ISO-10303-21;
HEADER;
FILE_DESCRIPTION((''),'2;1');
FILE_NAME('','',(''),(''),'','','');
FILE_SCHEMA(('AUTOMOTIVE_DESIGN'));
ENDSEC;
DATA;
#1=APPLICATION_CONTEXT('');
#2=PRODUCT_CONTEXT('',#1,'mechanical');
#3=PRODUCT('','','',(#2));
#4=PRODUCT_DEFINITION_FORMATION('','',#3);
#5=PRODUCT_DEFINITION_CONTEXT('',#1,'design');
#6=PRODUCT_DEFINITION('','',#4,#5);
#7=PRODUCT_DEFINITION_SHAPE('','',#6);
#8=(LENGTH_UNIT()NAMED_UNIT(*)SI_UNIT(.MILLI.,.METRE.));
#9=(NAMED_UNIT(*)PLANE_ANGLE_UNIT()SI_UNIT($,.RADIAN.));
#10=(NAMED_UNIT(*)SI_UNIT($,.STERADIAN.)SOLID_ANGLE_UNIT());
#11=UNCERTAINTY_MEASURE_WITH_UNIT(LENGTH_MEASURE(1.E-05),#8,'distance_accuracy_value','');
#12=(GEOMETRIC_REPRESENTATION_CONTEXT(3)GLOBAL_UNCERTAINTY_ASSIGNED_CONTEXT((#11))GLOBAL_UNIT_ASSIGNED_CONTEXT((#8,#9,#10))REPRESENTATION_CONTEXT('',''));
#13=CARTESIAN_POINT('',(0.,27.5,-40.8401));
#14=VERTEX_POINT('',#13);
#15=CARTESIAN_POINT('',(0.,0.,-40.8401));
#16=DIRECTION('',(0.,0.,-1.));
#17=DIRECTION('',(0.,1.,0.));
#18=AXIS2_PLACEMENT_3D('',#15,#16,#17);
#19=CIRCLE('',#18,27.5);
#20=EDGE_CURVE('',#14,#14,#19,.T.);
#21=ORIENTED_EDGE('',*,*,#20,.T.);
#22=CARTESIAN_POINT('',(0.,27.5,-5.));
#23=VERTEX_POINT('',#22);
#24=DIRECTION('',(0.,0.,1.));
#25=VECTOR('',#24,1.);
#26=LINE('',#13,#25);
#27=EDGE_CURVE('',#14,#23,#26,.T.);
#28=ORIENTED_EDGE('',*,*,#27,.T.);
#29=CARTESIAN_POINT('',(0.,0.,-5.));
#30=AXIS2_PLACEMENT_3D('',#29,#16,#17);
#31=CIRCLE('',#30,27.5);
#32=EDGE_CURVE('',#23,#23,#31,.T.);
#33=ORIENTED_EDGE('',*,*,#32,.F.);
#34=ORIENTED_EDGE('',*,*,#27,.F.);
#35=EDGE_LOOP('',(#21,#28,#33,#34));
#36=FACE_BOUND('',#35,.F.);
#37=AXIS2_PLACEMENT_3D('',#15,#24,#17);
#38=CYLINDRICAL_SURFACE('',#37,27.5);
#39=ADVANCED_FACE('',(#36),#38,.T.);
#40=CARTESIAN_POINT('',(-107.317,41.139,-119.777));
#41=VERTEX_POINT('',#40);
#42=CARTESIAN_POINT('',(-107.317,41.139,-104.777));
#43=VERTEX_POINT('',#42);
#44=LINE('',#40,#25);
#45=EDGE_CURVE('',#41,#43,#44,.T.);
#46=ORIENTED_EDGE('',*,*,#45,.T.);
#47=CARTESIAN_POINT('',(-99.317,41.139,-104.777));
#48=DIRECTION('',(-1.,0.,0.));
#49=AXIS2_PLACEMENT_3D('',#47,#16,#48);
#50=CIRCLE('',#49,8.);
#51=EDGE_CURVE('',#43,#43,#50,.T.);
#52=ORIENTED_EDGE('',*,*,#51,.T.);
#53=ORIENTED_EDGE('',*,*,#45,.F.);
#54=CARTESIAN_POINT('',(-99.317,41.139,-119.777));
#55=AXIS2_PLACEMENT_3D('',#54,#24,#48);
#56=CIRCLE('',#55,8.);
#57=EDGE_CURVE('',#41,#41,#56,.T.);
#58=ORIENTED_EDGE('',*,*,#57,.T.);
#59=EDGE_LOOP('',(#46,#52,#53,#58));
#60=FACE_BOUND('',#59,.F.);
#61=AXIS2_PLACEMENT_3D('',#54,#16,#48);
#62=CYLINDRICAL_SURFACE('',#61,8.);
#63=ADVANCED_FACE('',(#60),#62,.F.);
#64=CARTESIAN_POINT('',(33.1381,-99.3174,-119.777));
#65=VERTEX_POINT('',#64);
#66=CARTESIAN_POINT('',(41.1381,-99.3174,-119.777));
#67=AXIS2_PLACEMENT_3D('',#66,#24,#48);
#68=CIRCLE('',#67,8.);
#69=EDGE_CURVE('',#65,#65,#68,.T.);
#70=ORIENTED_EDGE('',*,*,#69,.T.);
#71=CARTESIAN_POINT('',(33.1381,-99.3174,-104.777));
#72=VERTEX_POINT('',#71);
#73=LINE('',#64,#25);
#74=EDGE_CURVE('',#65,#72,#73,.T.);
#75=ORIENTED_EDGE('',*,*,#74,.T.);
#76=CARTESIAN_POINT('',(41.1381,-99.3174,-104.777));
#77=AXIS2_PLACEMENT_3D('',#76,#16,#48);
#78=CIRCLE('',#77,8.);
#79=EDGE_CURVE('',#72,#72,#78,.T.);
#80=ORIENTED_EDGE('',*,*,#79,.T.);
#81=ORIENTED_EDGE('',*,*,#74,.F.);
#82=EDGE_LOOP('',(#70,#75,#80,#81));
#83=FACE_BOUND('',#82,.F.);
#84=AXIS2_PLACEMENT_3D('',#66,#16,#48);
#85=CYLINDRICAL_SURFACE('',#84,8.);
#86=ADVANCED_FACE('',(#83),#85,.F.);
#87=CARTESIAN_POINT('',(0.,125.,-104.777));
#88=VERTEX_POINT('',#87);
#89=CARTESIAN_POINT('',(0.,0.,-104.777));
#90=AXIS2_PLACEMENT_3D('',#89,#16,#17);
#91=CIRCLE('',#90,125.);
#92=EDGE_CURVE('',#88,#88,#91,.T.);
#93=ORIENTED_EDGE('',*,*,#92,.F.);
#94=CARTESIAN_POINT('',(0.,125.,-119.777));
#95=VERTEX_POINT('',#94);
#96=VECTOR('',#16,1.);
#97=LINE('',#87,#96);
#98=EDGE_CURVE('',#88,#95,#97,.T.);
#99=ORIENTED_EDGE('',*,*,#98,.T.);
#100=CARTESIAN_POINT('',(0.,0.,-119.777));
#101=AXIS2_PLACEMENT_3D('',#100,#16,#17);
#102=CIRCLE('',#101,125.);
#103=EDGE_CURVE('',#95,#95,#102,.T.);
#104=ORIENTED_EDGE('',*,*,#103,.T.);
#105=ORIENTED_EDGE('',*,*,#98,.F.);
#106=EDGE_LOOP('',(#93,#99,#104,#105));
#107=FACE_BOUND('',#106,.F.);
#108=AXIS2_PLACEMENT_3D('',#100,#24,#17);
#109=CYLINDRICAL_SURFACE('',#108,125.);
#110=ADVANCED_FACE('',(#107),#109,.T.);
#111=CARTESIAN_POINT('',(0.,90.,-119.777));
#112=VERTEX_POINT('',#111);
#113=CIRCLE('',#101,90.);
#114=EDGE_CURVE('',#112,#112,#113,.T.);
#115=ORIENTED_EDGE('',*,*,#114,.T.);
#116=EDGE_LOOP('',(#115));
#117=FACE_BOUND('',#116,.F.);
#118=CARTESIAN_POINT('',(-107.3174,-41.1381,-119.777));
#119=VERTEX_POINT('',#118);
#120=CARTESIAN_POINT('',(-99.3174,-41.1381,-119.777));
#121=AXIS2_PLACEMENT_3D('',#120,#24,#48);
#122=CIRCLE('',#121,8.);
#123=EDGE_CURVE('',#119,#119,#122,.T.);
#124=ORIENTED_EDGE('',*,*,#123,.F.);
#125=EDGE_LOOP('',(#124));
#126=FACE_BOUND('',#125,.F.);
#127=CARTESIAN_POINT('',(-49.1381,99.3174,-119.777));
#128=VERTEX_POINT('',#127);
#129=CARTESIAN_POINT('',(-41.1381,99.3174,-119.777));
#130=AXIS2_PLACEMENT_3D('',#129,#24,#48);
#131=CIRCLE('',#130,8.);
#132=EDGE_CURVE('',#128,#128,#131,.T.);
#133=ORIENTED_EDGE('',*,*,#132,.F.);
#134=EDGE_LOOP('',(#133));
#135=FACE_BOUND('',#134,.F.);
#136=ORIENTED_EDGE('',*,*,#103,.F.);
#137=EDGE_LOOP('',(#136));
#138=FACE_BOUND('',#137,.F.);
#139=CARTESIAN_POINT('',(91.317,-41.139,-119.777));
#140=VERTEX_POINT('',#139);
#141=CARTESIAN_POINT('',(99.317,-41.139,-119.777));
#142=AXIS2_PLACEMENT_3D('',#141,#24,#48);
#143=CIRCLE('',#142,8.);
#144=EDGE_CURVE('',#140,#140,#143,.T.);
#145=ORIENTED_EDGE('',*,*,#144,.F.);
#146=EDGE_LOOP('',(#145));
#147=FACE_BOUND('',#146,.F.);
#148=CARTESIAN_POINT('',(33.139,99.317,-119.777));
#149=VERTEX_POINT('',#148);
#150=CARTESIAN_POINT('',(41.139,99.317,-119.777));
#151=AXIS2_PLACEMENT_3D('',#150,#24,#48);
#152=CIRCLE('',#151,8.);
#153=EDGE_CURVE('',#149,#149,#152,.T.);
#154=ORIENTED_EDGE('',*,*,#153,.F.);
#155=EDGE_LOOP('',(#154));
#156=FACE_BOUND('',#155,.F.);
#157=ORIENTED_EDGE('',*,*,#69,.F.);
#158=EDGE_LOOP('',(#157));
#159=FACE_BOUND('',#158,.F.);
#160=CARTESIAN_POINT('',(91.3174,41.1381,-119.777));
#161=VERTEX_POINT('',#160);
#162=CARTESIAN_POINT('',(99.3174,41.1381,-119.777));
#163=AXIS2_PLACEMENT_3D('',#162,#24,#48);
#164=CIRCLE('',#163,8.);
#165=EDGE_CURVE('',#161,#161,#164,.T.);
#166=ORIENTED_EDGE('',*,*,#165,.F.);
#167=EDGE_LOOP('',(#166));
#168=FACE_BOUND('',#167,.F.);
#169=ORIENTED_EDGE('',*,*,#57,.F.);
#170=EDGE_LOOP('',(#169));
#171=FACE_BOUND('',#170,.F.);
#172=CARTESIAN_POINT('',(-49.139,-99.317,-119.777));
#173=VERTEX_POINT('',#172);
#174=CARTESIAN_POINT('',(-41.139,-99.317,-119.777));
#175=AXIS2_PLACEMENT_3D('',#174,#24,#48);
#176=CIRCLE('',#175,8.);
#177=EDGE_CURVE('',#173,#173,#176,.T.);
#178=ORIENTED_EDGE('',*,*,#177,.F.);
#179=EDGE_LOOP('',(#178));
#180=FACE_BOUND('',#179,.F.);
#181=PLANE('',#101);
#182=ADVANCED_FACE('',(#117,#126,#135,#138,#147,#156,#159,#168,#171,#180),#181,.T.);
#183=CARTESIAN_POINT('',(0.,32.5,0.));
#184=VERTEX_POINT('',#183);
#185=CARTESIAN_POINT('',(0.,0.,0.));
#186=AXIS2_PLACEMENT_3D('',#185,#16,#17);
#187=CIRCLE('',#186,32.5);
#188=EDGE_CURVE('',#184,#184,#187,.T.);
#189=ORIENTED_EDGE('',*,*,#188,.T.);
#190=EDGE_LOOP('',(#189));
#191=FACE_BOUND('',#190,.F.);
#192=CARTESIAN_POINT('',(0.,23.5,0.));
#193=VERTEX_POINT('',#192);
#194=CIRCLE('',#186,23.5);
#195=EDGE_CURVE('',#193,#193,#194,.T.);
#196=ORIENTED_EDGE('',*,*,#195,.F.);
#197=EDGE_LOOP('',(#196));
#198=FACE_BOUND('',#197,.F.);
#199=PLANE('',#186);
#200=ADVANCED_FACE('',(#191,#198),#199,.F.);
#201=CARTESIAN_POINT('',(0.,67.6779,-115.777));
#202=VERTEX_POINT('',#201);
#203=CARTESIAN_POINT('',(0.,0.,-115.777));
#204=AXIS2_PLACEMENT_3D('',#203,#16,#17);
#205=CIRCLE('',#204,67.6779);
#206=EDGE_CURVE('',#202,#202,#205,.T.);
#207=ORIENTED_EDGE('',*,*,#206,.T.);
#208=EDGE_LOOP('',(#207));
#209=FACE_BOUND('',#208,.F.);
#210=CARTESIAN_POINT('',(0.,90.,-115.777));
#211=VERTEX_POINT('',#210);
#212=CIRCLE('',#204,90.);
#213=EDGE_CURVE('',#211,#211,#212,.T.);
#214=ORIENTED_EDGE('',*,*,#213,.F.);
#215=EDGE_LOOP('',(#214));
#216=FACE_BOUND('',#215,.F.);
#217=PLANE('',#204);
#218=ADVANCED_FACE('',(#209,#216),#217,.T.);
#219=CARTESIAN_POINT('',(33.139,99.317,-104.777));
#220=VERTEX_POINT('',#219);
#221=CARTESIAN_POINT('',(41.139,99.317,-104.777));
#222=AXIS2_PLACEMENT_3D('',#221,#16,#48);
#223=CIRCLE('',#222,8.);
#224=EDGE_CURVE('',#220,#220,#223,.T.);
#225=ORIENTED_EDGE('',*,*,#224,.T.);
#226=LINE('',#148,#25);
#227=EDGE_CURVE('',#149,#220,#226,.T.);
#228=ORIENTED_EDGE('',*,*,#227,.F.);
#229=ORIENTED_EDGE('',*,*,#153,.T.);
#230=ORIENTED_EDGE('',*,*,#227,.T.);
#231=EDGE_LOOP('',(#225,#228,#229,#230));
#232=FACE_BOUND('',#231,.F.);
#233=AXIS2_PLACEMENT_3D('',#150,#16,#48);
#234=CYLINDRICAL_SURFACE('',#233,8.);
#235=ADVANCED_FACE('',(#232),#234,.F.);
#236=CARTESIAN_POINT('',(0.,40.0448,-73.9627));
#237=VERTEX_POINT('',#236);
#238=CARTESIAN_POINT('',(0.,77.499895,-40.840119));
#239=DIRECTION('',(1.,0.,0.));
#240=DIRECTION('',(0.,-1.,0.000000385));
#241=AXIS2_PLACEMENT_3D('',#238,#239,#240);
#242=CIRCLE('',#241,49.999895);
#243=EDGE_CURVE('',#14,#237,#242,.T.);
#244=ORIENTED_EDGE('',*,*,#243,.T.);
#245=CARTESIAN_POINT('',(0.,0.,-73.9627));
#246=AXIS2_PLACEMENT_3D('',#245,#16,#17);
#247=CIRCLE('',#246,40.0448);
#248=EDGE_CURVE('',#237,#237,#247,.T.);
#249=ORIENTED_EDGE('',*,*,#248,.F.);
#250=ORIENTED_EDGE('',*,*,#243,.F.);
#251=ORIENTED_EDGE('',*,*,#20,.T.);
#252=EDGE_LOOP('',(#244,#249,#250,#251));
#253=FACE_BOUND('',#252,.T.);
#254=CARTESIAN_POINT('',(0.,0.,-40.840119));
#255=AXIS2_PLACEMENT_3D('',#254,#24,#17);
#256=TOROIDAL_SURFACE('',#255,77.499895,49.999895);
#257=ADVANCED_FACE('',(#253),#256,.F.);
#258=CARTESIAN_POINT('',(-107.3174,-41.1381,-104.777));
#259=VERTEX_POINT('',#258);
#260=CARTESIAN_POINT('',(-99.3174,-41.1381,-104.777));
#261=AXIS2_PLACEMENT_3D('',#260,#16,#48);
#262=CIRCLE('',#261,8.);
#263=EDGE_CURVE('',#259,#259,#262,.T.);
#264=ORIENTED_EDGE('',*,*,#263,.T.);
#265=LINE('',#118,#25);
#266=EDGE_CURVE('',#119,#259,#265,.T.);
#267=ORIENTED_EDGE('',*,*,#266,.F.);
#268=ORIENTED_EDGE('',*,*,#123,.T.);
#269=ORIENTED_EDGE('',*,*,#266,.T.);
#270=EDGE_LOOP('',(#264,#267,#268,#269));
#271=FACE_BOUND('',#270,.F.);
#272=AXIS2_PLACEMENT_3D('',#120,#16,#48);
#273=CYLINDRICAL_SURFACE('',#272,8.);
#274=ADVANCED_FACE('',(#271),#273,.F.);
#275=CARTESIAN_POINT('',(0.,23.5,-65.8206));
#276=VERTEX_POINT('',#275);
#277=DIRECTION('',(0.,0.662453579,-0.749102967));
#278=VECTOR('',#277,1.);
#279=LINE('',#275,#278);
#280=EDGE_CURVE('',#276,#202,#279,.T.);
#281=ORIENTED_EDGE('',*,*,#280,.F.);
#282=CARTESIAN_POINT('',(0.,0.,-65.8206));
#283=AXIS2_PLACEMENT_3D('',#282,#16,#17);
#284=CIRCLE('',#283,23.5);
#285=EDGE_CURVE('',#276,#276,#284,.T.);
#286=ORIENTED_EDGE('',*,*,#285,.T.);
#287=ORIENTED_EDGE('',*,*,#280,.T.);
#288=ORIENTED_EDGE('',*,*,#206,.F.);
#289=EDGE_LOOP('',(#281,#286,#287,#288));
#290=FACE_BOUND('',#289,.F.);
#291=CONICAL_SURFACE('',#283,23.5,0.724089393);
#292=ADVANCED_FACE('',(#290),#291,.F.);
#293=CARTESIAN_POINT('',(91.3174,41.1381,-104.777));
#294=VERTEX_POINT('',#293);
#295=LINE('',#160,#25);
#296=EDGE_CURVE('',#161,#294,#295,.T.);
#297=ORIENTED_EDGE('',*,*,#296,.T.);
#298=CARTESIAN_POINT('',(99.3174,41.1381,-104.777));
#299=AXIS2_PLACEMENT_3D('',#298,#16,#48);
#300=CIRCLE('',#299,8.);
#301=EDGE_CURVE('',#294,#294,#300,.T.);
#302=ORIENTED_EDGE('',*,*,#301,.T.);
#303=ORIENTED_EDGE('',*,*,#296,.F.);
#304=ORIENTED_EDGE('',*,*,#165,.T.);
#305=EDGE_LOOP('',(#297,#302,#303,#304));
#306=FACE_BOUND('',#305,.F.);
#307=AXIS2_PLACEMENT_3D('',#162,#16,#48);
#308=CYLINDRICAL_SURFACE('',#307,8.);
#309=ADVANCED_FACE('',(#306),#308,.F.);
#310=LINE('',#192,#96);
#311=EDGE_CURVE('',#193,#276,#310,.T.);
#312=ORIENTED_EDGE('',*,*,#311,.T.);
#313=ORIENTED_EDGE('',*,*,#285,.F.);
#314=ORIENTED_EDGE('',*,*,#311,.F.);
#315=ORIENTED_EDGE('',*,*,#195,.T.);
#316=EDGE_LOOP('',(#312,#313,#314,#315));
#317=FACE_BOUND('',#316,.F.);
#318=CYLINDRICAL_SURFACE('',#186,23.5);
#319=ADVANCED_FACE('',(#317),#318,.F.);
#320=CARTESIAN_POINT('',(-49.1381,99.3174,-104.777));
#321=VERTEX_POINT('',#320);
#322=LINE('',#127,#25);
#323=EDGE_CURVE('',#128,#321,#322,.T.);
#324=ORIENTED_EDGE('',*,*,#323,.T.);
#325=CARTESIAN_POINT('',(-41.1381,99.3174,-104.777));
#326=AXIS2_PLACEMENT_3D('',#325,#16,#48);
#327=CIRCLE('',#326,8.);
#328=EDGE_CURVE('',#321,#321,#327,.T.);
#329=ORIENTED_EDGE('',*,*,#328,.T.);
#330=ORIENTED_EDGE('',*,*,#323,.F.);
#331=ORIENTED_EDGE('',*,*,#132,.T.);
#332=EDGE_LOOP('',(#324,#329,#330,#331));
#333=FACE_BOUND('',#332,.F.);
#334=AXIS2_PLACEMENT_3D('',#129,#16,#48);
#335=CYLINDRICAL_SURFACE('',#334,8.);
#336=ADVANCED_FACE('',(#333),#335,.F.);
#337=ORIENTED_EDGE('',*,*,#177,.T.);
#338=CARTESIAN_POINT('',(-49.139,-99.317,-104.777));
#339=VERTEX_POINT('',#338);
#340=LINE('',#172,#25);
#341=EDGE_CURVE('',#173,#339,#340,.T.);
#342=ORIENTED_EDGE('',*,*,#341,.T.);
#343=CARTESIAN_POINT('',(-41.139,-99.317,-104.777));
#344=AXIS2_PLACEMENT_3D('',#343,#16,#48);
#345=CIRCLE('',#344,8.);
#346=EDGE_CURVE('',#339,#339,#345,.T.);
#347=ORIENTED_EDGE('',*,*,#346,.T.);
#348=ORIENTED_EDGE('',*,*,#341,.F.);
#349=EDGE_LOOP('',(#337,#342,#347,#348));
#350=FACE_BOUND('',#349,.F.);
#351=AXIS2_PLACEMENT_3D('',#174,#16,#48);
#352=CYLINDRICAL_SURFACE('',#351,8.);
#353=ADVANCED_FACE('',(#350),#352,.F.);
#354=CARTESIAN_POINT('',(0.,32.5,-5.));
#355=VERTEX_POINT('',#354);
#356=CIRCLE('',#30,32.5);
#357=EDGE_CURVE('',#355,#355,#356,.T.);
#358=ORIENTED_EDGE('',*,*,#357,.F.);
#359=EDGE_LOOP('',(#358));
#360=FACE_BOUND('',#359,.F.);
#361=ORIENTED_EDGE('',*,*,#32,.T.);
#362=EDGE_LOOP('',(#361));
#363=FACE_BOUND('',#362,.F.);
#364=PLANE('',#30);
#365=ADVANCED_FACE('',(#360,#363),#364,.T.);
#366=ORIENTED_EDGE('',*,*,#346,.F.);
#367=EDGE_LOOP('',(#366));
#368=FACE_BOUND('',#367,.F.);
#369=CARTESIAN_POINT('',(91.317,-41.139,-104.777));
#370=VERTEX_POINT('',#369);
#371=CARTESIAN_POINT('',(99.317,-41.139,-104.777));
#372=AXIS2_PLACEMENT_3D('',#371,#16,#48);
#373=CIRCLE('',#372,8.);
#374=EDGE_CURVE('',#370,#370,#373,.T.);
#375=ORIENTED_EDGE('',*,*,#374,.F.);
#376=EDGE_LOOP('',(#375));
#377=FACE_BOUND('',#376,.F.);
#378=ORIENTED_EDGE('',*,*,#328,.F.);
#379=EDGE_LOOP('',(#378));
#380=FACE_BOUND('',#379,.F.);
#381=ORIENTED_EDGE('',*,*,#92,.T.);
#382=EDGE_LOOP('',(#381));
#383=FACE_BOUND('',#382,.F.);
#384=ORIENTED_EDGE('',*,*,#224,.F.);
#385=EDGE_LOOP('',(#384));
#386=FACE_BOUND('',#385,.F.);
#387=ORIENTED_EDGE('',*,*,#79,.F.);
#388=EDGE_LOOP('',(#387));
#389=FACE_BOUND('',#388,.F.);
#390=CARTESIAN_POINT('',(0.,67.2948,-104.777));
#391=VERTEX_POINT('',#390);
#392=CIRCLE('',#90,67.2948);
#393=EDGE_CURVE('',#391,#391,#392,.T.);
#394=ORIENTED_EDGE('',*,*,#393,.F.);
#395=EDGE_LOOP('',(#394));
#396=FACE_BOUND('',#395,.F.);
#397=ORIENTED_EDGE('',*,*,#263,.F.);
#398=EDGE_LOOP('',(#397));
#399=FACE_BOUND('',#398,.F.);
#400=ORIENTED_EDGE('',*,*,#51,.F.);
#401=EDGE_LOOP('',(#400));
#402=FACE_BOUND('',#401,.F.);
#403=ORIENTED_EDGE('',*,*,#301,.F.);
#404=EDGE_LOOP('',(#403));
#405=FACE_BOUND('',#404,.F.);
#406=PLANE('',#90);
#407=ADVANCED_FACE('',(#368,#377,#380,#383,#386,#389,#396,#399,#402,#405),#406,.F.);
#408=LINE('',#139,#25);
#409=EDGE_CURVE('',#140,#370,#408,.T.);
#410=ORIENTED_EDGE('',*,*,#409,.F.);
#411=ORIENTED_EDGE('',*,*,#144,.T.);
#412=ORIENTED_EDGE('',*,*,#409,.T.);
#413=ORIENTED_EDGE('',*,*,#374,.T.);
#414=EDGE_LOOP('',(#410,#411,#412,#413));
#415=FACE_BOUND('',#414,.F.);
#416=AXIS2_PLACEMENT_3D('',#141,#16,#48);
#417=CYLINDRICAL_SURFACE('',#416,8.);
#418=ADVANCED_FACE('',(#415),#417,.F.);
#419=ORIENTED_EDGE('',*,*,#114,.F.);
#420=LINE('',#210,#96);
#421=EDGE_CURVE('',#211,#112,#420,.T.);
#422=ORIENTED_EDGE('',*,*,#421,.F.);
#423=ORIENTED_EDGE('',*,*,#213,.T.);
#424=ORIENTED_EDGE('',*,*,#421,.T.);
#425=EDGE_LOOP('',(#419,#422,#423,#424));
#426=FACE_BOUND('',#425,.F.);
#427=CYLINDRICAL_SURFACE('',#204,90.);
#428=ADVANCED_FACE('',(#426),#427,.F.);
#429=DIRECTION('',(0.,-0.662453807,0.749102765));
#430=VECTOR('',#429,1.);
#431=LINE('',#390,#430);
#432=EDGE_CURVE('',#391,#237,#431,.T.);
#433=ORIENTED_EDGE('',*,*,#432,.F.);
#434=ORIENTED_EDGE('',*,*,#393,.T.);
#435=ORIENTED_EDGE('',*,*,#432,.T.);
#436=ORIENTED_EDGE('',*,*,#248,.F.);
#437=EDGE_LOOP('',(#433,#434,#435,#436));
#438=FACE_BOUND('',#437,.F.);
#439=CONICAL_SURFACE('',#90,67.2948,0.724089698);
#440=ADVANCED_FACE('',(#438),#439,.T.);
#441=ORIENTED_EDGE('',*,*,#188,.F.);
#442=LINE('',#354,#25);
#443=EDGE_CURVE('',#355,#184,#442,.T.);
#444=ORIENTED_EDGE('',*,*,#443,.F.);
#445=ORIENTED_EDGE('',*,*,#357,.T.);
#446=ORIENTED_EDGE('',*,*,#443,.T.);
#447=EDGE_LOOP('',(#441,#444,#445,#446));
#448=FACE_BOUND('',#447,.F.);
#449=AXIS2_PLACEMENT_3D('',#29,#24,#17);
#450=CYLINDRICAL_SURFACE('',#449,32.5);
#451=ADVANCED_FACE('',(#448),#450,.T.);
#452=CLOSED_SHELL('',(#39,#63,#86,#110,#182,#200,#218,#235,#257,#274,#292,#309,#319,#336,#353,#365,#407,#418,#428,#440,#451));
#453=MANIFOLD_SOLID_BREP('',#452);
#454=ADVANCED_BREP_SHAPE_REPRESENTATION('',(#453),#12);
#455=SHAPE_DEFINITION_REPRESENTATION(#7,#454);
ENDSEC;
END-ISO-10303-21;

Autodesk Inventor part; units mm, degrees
ref_plane "YZ Plane" through (0, 0, 0) normal (1, 0, 0) x (0, 1, 0)
ref_plane "XZ Plane" through (0, 0, 0) normal (0, 1, 0) x (-1, 0, 0)
ref_plane "XY Plane" through (0, 0, 0) normal (0, 0, 1) x (1, 0, 0)
sketch "Эскиз1" plane through (0, 0, 0) normal (1, 0, 0) x (0, 1, 0)
  line L0 (0, 0) -> (0, -73.7994) construction
  line L1 (23.5, 0) -> (23.5, -65.8206)
  line L2 (23.5, -65.8206) -> (67.6779, -115.777)
  line L3 (125, -110.9688) -> (125, -104.777)
  line L4 (125, -104.777) -> (67.2948, -104.777)
  line L5 (67.2948, -104.777) -> (40.0448, -73.9627)
  line L6 (27.5, -40.8401) -> (27.5, -5)
  line L7 (27.5, -5) -> (32.5, -5)
  line L8 (32.5, -5) -> (32.5, 0)
  line L9 (32.5, 0) -> (23.5, 0)
  line L10 (67.6779, -115.777) -> (90, -115.777)
  line L11 (90, -115.777) -> (90, -119.777)
  line L12 (90, -119.777) -> (125, -119.777)
  line L13 (125, -119.777) -> (125, -110.9688)
  arc A0 (27.5, -40.8401) -> (40.0448, -73.9627) centre (77.5, -40.8401) ccw
  point P0 (27.5, -59.777)
  point P1 (125, -98)
  dimension "d13" = 47
  dimension "d14" = 180
  dimension "d15" = 250
  dimension "d16" = 7
  dimension "d18" = 0
  dimension "d19" = 15
  dimension "d20" = 4
  dimension "d21" = 65
  dimension "d22" = 4
  dimension "d23" = 5
  dimension "d24" = 59.777
  dimension "d25" = 60
  dimension "d53" = 50
revolve "Вращение1" add sketch "Эскиз1" angle 360 about axis through (0, 0, 0) along (0, 0, -1)
sketch "Эскиз2" plane through (0, 0, -119.777) normal (0, 0, -1) x (-1, 0, 0)
  circle A0 centre (-41.139, 99.317) radius 8
  circle A1 centre (0, 0) radius 107.5
  circle A2 centre (-99.3174, 41.1381) radius 8
  circle A3 centre (-99.317, -41.139) radius 8
  circle A4 centre (-41.1381, -99.3174) radius 8
  circle A5 centre (41.139, -99.317) radius 8
  circle A6 centre (99.3174, -41.1381) radius 8
  circle A7 centre (99.317, 41.139) radius 8
  circle A8 centre (41.1381, 99.3174) radius 8
  dimension "d27" = 215
  dimension "d28" = 16
  dimension "d29" = 41.139
  dimension "d30" = 99.317
  dimension "d33" = 360
extrude "Выдавливание1" cut sketch "Эскиз2" against normal through all contours A0 A1 | A1 A0 | A8 A1 | A1 A8 | A2 A1 | A1 A2 | A7 A1 | A1 A7 | A3 A1 | A1 A3 | A4 A1 | A1 A4 | A6 A1 | A1 A6 | A5 A1 | A1 A5
thread "Резьба9" size "M16x2" class "6H" standard "ISO Metric profile" length 18
thread "Резьба10" size "M16x2" class "6H" standard "ANSI Metric M Profile" length 18
thread "Резьба11" size "M16x2" class "6H" standard "ANSI Metric M Profile" length 18
thread "Резьба12" size "M16x2" class "6H" standard "ANSI Metric M Profile" length 18
thread "Резьба13" size "M16x2" class "6H" standard "ANSI Metric M Profile" length 18
thread "Резьба14" size "M16x2" class "6H" standard "ANSI Metric M Profile" length 18
thread "Резьба15" size "M16x2" class "6H" standard "ANSI Metric M Profile" length 18
thread "Резьба16" size "M16x2" class "6H" standard "ANSI Metric M Profile" length 18
properties part number "Крышка_быстроходного"
